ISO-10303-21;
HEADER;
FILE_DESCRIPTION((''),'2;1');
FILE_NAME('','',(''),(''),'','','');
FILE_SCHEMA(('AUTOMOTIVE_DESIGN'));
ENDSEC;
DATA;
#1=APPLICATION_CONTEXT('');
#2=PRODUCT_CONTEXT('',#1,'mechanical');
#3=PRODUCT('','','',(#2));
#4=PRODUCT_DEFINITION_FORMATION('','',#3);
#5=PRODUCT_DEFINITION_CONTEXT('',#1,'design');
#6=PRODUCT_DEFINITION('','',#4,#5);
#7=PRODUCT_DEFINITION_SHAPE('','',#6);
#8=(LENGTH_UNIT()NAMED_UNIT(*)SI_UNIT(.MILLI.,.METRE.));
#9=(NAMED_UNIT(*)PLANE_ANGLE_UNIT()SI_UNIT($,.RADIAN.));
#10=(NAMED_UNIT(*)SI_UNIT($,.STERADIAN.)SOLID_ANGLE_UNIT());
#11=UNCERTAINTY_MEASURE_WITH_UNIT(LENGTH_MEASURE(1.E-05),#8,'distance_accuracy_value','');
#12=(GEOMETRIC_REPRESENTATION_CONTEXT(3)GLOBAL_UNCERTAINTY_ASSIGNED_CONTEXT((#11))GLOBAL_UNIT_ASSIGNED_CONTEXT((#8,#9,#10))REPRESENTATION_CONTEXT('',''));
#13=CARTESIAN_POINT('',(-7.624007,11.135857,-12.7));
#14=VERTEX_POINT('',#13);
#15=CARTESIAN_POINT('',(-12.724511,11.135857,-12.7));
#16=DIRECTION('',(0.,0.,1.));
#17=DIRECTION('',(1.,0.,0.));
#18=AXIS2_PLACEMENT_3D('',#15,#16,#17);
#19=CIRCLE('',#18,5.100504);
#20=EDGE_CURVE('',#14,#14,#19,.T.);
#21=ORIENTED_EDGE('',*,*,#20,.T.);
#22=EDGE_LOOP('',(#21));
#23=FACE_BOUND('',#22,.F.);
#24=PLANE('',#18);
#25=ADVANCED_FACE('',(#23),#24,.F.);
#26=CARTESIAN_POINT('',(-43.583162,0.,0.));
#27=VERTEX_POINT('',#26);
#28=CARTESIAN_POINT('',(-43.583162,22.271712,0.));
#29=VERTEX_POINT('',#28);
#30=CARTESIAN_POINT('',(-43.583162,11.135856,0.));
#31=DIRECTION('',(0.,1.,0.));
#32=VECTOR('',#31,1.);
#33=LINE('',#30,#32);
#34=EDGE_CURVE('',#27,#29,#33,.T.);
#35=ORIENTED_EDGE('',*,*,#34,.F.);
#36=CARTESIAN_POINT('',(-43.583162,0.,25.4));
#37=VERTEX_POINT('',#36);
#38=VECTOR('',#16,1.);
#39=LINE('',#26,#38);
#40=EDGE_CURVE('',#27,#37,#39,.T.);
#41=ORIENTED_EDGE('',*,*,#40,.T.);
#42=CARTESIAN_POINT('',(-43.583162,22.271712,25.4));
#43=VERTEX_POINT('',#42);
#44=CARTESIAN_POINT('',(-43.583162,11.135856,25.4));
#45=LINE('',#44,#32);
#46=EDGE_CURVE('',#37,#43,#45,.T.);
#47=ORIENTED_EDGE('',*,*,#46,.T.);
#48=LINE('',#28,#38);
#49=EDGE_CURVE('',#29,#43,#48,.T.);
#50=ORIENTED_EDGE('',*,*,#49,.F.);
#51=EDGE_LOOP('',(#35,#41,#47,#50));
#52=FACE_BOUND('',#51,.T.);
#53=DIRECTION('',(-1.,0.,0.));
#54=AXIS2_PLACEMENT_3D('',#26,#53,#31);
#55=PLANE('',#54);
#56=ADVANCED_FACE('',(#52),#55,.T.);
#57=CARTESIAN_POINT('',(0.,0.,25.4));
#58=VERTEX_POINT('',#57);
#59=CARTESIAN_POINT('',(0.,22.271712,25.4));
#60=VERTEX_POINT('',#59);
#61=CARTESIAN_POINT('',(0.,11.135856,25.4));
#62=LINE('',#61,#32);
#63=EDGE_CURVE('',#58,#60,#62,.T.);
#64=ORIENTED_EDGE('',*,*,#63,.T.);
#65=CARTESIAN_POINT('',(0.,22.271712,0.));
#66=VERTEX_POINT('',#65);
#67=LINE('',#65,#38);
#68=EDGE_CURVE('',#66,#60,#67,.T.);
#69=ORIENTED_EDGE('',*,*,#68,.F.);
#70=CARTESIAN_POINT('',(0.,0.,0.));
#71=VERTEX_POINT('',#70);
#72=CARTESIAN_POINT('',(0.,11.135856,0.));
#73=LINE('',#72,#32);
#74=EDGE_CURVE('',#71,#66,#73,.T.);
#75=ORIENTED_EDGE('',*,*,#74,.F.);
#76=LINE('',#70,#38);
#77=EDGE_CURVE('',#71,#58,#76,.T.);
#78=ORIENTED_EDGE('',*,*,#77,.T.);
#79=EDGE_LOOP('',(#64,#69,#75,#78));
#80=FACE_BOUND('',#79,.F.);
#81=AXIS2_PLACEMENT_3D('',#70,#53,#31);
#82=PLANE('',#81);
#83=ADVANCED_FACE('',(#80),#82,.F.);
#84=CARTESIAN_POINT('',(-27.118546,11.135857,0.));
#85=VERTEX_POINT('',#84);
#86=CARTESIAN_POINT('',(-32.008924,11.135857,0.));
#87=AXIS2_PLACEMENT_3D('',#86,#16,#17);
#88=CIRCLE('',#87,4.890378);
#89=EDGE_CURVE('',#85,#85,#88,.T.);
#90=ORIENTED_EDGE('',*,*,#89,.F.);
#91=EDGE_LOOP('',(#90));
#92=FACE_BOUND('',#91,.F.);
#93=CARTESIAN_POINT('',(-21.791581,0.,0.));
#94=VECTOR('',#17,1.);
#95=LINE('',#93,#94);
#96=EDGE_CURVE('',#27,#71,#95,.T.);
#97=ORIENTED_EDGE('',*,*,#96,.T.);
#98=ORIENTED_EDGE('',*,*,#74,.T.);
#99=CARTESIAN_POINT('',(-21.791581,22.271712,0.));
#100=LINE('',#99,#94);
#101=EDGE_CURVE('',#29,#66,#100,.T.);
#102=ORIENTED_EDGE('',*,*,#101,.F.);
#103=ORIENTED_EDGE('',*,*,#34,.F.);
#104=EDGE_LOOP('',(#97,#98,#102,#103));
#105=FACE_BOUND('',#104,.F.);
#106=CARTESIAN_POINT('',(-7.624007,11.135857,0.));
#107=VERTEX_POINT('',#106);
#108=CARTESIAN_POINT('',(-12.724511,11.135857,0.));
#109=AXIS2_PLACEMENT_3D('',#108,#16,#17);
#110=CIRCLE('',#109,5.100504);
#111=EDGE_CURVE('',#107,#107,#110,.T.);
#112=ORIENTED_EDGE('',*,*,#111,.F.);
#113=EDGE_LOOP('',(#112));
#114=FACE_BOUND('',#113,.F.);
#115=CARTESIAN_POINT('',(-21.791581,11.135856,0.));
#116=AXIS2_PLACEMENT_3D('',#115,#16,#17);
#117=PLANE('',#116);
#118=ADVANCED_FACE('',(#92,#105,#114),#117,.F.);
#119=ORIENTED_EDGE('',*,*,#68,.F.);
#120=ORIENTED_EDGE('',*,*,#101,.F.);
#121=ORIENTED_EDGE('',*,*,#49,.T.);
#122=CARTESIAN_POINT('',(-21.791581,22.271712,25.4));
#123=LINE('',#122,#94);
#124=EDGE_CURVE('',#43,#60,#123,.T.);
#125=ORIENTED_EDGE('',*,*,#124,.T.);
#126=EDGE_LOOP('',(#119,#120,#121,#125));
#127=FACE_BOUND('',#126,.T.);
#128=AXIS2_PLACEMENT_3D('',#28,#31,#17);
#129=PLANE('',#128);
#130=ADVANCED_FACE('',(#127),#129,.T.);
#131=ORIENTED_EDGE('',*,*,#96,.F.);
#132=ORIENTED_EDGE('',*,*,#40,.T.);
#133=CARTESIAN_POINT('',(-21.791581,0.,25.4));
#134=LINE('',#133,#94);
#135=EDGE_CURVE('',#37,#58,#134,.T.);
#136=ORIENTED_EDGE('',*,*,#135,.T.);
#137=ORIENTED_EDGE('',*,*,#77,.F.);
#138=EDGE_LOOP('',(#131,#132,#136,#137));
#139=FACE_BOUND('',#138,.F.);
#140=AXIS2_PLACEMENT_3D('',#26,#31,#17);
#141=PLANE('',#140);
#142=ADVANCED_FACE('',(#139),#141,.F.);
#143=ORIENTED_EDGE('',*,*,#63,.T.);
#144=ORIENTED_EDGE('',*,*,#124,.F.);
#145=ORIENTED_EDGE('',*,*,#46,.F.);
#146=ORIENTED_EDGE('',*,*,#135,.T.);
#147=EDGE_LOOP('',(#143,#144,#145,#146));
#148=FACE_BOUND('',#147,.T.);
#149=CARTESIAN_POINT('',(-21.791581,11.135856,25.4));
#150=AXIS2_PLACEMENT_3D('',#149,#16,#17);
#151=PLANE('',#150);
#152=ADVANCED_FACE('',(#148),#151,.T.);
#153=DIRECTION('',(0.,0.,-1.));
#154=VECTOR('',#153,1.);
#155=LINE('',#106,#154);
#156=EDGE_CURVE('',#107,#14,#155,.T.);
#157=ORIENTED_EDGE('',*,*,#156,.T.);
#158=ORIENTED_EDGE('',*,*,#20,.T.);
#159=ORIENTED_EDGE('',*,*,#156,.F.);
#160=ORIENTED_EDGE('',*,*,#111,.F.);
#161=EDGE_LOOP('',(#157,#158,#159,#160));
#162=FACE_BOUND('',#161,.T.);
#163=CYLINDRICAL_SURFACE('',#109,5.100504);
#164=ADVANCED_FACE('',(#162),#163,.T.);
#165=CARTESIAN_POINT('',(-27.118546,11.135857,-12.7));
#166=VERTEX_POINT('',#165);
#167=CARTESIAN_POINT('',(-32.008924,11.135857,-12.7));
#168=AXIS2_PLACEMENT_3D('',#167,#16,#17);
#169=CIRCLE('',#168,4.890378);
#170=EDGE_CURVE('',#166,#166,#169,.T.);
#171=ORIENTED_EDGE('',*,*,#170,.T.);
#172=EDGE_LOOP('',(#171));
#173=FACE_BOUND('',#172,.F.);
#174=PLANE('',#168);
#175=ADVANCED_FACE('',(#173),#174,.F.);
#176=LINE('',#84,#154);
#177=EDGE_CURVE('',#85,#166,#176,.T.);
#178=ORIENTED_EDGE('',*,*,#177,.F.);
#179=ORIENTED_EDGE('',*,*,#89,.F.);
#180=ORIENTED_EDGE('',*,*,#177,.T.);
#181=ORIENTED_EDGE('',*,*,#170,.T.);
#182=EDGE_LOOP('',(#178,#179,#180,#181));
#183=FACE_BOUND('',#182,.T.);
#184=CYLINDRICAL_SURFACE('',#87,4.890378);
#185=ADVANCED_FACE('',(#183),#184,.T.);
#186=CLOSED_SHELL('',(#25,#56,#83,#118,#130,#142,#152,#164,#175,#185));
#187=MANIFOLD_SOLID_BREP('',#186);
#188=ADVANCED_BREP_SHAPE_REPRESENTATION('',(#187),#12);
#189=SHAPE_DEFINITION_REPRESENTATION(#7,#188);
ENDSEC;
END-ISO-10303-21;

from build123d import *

# Parameters (mm, degrees)
F0_W     = 43.583162
F0_H     = 22.271713
F0_R     = 4.890378
F0_R_2   = 5.100504
F1_DEPTH = 25.4
F2_DEPTH = 12.7


with BuildPart() as f1:
    # F0 (on Top) → F1 (new body)
    with BuildSketch(Plane.XY):
        with Locations((-21.791581, 11.135856)):
            Rectangle(F0_W, F0_H)
        with Locations((-32.008924, 11.135857)):
            Circle(F0_R, mode=Mode.SUBTRACT)
        with Locations((-12.724511, 11.135857)):
            Circle(F0_R_2, mode=Mode.SUBTRACT)
        with Locations((-32.008924, 11.135857)):
            Circle(F0_R)
        with Locations((-12.724511, 11.135857)):
            Circle(F0_R_2)
    extrude(amount=F1_DEPTH)

    # F0 (on Top) → F2 (join)
    with BuildSketch(Plane.XY):
        with Locations((-32.008924, 11.135857)):
            Circle(F0_R)
        with Locations((-12.724511, 11.135857)):
            Circle(F0_R_2)
    extrude(amount=-F2_DEPTH)


solid = f1.part
